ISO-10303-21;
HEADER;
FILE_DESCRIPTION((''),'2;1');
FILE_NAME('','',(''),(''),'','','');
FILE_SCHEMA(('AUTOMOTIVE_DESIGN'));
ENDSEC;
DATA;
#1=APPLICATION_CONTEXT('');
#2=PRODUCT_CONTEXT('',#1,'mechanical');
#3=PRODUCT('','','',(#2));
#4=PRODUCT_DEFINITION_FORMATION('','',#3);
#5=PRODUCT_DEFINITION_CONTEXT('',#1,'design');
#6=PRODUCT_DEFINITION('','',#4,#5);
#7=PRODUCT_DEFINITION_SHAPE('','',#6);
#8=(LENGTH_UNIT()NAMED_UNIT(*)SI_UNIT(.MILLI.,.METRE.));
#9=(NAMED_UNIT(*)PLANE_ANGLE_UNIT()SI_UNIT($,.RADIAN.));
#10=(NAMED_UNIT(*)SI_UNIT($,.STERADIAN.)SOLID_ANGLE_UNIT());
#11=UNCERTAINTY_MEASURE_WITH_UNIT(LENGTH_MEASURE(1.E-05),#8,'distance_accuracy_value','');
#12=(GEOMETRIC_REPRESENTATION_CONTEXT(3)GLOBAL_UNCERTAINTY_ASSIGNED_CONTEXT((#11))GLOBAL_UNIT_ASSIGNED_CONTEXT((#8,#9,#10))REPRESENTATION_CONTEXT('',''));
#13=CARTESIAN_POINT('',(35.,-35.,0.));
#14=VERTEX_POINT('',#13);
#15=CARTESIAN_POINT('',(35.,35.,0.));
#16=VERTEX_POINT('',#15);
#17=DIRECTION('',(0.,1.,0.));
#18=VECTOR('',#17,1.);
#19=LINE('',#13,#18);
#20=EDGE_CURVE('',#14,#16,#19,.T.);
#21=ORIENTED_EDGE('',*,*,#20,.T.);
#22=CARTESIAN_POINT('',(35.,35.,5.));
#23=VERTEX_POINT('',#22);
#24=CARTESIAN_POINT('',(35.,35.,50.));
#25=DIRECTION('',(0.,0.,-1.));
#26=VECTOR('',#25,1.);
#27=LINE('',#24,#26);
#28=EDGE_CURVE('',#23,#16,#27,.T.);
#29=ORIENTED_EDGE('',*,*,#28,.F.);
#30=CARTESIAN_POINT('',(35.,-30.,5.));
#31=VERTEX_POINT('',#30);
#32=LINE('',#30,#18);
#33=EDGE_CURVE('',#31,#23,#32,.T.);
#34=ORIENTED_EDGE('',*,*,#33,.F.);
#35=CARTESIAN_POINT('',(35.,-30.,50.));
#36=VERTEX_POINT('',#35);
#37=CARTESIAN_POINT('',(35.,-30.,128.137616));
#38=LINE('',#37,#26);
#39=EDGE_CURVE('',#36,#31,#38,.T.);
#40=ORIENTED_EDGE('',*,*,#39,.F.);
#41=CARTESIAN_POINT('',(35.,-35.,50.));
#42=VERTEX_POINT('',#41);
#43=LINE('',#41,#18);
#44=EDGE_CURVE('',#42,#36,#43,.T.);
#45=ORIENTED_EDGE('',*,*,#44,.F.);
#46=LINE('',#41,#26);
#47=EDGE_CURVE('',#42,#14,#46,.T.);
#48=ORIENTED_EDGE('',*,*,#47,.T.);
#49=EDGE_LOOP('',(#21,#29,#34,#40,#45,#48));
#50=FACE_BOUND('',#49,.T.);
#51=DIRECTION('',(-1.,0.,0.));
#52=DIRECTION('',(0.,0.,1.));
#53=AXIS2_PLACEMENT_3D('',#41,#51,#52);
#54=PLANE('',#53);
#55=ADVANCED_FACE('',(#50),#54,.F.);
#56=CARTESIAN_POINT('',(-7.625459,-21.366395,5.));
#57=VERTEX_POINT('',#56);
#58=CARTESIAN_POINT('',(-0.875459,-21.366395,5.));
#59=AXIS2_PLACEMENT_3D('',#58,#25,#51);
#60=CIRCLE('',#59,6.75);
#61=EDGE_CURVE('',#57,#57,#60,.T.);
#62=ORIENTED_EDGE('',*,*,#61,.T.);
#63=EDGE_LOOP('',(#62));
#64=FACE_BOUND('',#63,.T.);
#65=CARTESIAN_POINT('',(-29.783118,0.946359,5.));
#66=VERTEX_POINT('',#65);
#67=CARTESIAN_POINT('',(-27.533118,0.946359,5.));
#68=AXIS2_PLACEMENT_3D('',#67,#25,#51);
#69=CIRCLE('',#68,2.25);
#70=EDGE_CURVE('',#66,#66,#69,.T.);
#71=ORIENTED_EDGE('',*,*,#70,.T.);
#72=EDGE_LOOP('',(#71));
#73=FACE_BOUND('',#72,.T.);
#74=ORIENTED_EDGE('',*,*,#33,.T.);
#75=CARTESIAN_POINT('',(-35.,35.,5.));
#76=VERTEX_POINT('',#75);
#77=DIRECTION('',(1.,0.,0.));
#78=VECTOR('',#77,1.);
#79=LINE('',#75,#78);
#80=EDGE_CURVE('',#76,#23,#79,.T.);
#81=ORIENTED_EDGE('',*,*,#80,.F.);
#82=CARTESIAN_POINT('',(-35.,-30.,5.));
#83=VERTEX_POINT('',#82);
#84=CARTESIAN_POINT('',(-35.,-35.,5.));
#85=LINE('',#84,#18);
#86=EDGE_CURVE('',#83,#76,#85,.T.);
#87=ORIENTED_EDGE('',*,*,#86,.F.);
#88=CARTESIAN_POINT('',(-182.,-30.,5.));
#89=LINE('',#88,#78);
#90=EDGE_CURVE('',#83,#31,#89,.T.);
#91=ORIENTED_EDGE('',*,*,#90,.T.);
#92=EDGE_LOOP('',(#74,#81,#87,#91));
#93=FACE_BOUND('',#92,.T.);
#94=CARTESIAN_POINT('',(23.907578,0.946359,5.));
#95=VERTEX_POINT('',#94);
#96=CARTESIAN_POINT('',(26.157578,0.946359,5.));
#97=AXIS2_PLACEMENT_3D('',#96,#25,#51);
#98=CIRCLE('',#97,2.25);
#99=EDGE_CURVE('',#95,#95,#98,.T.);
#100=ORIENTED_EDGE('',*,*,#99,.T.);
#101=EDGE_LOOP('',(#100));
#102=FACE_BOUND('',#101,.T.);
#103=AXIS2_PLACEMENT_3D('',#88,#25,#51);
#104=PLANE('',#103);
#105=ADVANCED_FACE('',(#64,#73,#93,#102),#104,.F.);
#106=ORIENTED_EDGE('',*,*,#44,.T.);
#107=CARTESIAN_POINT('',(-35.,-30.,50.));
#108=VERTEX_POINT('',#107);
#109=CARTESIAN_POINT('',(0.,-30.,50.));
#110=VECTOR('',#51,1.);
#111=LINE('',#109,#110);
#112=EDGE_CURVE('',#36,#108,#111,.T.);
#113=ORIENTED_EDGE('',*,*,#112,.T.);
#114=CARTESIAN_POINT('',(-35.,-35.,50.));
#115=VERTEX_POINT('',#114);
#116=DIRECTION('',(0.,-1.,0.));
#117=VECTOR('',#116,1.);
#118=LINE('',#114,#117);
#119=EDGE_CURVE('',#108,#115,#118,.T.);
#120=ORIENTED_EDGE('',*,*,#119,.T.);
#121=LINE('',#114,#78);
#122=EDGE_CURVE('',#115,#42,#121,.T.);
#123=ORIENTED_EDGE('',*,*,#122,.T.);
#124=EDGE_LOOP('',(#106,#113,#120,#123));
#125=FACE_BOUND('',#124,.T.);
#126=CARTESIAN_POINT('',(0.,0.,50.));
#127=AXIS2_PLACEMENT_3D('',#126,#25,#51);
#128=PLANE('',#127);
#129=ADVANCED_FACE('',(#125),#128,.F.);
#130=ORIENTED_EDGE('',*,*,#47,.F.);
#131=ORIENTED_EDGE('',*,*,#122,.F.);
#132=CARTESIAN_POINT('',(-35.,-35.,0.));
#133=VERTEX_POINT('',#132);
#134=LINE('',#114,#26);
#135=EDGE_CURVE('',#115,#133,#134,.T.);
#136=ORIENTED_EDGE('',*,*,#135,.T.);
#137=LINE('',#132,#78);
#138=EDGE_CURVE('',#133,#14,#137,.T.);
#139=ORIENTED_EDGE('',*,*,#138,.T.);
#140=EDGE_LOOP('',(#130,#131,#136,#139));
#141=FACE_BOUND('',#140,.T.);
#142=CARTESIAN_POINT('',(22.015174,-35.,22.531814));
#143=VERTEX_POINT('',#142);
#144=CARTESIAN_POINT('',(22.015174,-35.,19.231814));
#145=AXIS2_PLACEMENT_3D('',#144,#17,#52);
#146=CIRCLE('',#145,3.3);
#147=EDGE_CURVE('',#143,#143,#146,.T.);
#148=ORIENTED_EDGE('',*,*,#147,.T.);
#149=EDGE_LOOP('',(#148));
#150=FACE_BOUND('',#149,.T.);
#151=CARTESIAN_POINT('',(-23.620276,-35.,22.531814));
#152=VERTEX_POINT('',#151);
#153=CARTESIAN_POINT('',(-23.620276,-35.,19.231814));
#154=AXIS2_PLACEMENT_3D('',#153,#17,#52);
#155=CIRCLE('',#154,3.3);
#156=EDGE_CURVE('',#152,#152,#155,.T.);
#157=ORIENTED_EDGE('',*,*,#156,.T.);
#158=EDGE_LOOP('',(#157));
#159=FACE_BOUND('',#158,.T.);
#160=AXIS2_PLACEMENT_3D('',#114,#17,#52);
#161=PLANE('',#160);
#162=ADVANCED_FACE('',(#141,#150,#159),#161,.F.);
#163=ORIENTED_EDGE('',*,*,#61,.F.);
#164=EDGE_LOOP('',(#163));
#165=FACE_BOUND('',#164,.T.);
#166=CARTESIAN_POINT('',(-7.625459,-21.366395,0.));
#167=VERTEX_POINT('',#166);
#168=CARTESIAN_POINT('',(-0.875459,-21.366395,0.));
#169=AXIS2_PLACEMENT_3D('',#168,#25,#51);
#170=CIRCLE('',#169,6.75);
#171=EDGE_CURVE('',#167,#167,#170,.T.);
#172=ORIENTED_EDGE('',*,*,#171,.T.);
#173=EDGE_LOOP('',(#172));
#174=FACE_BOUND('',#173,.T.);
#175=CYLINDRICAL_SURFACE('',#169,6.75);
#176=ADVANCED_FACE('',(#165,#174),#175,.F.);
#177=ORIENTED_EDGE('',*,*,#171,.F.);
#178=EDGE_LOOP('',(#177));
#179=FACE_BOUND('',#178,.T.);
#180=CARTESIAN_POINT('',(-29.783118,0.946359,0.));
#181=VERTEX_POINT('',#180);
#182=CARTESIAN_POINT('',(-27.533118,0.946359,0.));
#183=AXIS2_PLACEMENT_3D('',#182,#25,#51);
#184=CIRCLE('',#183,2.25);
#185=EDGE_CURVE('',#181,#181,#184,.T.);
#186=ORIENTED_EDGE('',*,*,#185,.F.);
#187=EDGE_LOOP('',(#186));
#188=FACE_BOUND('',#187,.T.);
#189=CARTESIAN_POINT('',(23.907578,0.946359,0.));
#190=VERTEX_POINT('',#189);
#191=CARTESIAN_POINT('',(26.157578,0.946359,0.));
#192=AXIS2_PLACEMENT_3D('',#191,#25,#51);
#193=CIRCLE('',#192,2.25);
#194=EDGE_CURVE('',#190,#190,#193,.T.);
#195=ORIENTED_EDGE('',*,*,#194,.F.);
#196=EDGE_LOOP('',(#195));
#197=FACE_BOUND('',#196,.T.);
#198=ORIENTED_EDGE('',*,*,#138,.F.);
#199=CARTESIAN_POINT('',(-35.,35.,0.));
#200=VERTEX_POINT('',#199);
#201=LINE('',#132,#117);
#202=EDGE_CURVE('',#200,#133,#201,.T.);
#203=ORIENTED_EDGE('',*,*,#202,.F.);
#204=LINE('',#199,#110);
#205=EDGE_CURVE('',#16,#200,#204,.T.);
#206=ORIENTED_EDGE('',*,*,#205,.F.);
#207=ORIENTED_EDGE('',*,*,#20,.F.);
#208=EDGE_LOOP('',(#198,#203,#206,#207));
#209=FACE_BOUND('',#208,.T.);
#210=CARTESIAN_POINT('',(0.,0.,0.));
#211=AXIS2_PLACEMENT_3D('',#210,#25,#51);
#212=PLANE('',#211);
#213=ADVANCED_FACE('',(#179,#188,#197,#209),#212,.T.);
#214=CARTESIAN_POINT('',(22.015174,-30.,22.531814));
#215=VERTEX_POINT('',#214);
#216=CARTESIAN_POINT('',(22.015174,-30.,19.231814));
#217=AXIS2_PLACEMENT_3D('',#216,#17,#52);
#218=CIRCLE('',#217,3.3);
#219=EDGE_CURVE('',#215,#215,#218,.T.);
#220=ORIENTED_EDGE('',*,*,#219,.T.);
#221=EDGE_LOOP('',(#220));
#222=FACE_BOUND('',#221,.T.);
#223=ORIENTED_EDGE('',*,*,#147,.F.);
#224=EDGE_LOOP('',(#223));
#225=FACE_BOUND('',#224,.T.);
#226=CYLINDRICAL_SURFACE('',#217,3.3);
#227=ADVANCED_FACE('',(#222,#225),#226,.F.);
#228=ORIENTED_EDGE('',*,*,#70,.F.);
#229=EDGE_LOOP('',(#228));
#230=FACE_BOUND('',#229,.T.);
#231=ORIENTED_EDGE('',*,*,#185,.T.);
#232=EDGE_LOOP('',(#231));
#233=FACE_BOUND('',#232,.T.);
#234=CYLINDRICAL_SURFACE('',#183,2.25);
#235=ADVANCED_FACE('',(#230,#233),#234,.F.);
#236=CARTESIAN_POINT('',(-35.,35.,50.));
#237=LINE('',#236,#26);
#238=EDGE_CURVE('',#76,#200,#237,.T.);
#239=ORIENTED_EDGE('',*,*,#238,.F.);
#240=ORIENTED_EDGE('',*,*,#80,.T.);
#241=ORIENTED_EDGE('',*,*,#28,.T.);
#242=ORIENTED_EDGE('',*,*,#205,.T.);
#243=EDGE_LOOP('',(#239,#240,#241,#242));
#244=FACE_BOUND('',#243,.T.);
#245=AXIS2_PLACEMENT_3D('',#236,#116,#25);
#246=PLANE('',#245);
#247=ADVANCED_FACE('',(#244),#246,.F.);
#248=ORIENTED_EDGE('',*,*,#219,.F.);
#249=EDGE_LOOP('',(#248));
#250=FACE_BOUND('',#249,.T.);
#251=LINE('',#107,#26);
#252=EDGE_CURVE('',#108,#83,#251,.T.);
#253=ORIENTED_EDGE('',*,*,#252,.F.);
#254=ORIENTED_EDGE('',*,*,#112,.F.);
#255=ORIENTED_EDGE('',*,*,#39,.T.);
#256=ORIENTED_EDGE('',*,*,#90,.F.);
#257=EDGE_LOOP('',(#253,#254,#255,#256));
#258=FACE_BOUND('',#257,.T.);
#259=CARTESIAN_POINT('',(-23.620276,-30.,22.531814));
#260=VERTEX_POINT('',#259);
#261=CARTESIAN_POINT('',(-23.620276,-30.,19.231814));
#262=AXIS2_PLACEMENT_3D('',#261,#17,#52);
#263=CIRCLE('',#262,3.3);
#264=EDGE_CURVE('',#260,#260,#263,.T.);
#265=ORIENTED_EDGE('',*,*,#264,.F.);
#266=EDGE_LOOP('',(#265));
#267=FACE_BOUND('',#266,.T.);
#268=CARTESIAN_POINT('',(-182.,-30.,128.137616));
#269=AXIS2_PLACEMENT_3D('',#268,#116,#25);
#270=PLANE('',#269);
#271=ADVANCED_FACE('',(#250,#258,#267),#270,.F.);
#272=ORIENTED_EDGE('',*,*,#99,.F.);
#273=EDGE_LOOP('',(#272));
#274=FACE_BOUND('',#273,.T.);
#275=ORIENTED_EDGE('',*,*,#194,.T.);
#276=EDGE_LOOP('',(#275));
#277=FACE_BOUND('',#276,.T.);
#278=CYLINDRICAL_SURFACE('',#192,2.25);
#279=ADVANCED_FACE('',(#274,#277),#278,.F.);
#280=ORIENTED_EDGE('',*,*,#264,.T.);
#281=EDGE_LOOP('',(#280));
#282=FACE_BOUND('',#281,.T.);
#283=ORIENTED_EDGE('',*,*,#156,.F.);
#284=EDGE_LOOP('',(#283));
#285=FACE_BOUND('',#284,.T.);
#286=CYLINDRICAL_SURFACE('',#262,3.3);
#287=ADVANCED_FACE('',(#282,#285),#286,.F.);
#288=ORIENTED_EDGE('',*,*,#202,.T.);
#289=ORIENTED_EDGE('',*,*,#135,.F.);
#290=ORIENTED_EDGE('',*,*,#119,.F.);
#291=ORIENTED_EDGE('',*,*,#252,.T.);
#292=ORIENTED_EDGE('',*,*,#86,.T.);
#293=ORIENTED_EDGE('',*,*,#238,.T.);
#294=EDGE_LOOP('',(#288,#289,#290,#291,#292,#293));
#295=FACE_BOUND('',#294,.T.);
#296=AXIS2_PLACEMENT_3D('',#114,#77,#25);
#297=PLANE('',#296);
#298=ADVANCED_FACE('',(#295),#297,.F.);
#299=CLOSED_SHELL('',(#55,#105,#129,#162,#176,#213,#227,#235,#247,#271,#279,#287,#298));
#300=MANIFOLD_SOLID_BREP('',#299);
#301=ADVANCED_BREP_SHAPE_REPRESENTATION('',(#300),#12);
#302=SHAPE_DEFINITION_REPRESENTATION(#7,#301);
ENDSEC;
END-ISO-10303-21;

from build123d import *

# Parameters (mm, degrees)
ESQUISSE1_W             = 70
ESQUISSE1_H             = 70
BOSS_EXTRU_1_DEPTH      = 50
ESQUISSE2_W             = 123.137615707
ESQUISSE2_H             = 86.86411441
ENL_V_MAT_EXTRU_1_DEPTH = 217
D_GAGEMENT_M41_D        = 4.5
D_GAGEMENT_M121_D       = 13.5
D_GAGEMENT_M61_D        = 6.6


with BuildPart() as part:
    # Esquisse1 → Boss.-Extru.1 (new body)
    with BuildSketch(Plane.XY):
        Rectangle(ESQUISSE1_W, ESQUISSE1_H)
    extrude(amount=BOSS_EXTRU_1_DEPTH)

    # Esquisse2 → Enlèv. mat.-Extru.1 (cut)
    with BuildSketch(Plane(origin=(35, 0, 0), x_dir=(0, 0, -1), z_dir=(1, 0, 0))):
        with Locations((-66.568807854, 13.432057205)):
            Rectangle(ESQUISSE2_W, ESQUISSE2_H)
    extrude(amount=-ENL_V_MAT_EXTRU_1_DEPTH, mode=Mode.SUBTRACT)

    # Dégagement M41 (through all)
    with Locations(Plane(origin=(0, 0, 0), x_dir=(-1, 0, 0), z_dir=(0, 0, -1))):
        with Locations((-26.157577905, 0.946358973), (27.533117647, 0.946358973)):
            Hole(D_GAGEMENT_M41_D / 2)

    # Dégagement M121 (through all)
    with Locations(Plane(origin=(0, 0, 0), x_dir=(-1, 0, 0), z_dir=(0, 0, -1))):
        with Locations((0.875458958, -21.366395267)):
            Hole(D_GAGEMENT_M121_D / 2)

    # Dégagement M61 (through all)
    with Locations(Plane(origin=(0, -30, 0), x_dir=(1, 0, 0), z_dir=(0, 1, 0))):
        with Locations((-23.62027619, -19.231813592), (22.015174003, -19.231813592)):
            Hole(D_GAGEMENT_M61_D / 2)


solid = part.part
